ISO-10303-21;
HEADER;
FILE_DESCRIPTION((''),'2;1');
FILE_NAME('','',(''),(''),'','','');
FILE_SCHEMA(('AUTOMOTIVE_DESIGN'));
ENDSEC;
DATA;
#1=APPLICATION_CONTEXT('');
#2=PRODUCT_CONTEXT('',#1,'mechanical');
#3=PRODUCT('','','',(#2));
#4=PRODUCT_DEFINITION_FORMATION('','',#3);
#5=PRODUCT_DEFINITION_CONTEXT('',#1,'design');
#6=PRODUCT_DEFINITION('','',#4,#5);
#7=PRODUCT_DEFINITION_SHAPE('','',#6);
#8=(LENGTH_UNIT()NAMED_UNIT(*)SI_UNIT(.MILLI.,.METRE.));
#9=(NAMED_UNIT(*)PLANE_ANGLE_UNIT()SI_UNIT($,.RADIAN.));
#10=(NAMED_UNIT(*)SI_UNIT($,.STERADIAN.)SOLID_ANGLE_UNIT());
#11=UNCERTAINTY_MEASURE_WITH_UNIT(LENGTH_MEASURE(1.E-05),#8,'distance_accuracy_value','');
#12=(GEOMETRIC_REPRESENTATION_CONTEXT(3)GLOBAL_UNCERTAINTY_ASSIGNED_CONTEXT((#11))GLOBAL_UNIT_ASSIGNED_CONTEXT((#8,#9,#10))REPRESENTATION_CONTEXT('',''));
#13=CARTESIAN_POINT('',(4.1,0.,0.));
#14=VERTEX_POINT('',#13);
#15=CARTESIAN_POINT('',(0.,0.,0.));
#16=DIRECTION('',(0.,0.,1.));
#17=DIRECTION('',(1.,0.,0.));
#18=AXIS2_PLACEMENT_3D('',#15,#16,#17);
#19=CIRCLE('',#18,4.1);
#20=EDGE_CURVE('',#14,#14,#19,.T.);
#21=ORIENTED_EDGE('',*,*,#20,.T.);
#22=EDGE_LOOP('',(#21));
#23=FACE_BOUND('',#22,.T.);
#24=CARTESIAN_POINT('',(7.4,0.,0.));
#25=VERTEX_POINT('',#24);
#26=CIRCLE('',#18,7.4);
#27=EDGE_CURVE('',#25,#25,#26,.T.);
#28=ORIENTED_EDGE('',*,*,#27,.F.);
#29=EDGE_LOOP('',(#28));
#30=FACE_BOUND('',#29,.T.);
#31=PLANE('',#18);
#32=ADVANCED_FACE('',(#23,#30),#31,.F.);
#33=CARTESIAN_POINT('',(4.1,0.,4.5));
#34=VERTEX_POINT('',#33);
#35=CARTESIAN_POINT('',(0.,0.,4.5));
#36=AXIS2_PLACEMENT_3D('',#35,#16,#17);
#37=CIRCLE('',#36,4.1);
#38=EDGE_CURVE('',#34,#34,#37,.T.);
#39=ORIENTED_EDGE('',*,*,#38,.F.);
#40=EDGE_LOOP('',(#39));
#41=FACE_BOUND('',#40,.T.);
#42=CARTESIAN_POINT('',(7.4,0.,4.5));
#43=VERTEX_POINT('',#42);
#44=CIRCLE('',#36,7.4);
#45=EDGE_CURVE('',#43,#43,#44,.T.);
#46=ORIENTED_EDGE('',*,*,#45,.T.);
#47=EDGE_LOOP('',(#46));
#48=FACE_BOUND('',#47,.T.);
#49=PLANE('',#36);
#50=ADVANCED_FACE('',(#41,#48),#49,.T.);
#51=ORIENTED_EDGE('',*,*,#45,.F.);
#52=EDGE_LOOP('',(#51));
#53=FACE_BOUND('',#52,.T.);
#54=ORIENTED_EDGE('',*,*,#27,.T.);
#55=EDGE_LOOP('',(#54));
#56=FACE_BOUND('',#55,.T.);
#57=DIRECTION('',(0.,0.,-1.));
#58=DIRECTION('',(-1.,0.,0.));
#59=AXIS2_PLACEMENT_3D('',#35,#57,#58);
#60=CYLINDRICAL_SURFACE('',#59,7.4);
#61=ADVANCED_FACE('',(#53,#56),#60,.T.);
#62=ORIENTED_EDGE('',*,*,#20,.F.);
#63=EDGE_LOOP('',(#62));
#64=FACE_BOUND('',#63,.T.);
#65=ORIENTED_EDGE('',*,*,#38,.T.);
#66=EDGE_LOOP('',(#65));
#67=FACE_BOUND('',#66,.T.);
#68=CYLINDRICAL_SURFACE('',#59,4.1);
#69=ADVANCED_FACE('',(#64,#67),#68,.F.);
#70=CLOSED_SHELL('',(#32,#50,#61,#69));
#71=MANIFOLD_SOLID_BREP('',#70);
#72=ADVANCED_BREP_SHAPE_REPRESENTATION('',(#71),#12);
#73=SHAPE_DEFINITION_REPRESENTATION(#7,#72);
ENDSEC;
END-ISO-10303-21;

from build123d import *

# Parameters (mm, degrees)
SCHIZZO1_R                   = 7.4
SCHIZZO1_R_2                 = 4.1
ESTRUSIONE_ESTRUSIONE1_DEPTH = 4.5


with BuildPart() as part:
    # Schizzo1 → Estrusione-Estrusione1 (new body)
    with BuildSketch(Plane.XY):
        Circle(SCHIZZO1_R)
        Circle(SCHIZZO1_R_2, mode=Mode.SUBTRACT)
    extrude(amount=ESTRUSIONE_ESTRUSIONE1_DEPTH)


solid = part.part
